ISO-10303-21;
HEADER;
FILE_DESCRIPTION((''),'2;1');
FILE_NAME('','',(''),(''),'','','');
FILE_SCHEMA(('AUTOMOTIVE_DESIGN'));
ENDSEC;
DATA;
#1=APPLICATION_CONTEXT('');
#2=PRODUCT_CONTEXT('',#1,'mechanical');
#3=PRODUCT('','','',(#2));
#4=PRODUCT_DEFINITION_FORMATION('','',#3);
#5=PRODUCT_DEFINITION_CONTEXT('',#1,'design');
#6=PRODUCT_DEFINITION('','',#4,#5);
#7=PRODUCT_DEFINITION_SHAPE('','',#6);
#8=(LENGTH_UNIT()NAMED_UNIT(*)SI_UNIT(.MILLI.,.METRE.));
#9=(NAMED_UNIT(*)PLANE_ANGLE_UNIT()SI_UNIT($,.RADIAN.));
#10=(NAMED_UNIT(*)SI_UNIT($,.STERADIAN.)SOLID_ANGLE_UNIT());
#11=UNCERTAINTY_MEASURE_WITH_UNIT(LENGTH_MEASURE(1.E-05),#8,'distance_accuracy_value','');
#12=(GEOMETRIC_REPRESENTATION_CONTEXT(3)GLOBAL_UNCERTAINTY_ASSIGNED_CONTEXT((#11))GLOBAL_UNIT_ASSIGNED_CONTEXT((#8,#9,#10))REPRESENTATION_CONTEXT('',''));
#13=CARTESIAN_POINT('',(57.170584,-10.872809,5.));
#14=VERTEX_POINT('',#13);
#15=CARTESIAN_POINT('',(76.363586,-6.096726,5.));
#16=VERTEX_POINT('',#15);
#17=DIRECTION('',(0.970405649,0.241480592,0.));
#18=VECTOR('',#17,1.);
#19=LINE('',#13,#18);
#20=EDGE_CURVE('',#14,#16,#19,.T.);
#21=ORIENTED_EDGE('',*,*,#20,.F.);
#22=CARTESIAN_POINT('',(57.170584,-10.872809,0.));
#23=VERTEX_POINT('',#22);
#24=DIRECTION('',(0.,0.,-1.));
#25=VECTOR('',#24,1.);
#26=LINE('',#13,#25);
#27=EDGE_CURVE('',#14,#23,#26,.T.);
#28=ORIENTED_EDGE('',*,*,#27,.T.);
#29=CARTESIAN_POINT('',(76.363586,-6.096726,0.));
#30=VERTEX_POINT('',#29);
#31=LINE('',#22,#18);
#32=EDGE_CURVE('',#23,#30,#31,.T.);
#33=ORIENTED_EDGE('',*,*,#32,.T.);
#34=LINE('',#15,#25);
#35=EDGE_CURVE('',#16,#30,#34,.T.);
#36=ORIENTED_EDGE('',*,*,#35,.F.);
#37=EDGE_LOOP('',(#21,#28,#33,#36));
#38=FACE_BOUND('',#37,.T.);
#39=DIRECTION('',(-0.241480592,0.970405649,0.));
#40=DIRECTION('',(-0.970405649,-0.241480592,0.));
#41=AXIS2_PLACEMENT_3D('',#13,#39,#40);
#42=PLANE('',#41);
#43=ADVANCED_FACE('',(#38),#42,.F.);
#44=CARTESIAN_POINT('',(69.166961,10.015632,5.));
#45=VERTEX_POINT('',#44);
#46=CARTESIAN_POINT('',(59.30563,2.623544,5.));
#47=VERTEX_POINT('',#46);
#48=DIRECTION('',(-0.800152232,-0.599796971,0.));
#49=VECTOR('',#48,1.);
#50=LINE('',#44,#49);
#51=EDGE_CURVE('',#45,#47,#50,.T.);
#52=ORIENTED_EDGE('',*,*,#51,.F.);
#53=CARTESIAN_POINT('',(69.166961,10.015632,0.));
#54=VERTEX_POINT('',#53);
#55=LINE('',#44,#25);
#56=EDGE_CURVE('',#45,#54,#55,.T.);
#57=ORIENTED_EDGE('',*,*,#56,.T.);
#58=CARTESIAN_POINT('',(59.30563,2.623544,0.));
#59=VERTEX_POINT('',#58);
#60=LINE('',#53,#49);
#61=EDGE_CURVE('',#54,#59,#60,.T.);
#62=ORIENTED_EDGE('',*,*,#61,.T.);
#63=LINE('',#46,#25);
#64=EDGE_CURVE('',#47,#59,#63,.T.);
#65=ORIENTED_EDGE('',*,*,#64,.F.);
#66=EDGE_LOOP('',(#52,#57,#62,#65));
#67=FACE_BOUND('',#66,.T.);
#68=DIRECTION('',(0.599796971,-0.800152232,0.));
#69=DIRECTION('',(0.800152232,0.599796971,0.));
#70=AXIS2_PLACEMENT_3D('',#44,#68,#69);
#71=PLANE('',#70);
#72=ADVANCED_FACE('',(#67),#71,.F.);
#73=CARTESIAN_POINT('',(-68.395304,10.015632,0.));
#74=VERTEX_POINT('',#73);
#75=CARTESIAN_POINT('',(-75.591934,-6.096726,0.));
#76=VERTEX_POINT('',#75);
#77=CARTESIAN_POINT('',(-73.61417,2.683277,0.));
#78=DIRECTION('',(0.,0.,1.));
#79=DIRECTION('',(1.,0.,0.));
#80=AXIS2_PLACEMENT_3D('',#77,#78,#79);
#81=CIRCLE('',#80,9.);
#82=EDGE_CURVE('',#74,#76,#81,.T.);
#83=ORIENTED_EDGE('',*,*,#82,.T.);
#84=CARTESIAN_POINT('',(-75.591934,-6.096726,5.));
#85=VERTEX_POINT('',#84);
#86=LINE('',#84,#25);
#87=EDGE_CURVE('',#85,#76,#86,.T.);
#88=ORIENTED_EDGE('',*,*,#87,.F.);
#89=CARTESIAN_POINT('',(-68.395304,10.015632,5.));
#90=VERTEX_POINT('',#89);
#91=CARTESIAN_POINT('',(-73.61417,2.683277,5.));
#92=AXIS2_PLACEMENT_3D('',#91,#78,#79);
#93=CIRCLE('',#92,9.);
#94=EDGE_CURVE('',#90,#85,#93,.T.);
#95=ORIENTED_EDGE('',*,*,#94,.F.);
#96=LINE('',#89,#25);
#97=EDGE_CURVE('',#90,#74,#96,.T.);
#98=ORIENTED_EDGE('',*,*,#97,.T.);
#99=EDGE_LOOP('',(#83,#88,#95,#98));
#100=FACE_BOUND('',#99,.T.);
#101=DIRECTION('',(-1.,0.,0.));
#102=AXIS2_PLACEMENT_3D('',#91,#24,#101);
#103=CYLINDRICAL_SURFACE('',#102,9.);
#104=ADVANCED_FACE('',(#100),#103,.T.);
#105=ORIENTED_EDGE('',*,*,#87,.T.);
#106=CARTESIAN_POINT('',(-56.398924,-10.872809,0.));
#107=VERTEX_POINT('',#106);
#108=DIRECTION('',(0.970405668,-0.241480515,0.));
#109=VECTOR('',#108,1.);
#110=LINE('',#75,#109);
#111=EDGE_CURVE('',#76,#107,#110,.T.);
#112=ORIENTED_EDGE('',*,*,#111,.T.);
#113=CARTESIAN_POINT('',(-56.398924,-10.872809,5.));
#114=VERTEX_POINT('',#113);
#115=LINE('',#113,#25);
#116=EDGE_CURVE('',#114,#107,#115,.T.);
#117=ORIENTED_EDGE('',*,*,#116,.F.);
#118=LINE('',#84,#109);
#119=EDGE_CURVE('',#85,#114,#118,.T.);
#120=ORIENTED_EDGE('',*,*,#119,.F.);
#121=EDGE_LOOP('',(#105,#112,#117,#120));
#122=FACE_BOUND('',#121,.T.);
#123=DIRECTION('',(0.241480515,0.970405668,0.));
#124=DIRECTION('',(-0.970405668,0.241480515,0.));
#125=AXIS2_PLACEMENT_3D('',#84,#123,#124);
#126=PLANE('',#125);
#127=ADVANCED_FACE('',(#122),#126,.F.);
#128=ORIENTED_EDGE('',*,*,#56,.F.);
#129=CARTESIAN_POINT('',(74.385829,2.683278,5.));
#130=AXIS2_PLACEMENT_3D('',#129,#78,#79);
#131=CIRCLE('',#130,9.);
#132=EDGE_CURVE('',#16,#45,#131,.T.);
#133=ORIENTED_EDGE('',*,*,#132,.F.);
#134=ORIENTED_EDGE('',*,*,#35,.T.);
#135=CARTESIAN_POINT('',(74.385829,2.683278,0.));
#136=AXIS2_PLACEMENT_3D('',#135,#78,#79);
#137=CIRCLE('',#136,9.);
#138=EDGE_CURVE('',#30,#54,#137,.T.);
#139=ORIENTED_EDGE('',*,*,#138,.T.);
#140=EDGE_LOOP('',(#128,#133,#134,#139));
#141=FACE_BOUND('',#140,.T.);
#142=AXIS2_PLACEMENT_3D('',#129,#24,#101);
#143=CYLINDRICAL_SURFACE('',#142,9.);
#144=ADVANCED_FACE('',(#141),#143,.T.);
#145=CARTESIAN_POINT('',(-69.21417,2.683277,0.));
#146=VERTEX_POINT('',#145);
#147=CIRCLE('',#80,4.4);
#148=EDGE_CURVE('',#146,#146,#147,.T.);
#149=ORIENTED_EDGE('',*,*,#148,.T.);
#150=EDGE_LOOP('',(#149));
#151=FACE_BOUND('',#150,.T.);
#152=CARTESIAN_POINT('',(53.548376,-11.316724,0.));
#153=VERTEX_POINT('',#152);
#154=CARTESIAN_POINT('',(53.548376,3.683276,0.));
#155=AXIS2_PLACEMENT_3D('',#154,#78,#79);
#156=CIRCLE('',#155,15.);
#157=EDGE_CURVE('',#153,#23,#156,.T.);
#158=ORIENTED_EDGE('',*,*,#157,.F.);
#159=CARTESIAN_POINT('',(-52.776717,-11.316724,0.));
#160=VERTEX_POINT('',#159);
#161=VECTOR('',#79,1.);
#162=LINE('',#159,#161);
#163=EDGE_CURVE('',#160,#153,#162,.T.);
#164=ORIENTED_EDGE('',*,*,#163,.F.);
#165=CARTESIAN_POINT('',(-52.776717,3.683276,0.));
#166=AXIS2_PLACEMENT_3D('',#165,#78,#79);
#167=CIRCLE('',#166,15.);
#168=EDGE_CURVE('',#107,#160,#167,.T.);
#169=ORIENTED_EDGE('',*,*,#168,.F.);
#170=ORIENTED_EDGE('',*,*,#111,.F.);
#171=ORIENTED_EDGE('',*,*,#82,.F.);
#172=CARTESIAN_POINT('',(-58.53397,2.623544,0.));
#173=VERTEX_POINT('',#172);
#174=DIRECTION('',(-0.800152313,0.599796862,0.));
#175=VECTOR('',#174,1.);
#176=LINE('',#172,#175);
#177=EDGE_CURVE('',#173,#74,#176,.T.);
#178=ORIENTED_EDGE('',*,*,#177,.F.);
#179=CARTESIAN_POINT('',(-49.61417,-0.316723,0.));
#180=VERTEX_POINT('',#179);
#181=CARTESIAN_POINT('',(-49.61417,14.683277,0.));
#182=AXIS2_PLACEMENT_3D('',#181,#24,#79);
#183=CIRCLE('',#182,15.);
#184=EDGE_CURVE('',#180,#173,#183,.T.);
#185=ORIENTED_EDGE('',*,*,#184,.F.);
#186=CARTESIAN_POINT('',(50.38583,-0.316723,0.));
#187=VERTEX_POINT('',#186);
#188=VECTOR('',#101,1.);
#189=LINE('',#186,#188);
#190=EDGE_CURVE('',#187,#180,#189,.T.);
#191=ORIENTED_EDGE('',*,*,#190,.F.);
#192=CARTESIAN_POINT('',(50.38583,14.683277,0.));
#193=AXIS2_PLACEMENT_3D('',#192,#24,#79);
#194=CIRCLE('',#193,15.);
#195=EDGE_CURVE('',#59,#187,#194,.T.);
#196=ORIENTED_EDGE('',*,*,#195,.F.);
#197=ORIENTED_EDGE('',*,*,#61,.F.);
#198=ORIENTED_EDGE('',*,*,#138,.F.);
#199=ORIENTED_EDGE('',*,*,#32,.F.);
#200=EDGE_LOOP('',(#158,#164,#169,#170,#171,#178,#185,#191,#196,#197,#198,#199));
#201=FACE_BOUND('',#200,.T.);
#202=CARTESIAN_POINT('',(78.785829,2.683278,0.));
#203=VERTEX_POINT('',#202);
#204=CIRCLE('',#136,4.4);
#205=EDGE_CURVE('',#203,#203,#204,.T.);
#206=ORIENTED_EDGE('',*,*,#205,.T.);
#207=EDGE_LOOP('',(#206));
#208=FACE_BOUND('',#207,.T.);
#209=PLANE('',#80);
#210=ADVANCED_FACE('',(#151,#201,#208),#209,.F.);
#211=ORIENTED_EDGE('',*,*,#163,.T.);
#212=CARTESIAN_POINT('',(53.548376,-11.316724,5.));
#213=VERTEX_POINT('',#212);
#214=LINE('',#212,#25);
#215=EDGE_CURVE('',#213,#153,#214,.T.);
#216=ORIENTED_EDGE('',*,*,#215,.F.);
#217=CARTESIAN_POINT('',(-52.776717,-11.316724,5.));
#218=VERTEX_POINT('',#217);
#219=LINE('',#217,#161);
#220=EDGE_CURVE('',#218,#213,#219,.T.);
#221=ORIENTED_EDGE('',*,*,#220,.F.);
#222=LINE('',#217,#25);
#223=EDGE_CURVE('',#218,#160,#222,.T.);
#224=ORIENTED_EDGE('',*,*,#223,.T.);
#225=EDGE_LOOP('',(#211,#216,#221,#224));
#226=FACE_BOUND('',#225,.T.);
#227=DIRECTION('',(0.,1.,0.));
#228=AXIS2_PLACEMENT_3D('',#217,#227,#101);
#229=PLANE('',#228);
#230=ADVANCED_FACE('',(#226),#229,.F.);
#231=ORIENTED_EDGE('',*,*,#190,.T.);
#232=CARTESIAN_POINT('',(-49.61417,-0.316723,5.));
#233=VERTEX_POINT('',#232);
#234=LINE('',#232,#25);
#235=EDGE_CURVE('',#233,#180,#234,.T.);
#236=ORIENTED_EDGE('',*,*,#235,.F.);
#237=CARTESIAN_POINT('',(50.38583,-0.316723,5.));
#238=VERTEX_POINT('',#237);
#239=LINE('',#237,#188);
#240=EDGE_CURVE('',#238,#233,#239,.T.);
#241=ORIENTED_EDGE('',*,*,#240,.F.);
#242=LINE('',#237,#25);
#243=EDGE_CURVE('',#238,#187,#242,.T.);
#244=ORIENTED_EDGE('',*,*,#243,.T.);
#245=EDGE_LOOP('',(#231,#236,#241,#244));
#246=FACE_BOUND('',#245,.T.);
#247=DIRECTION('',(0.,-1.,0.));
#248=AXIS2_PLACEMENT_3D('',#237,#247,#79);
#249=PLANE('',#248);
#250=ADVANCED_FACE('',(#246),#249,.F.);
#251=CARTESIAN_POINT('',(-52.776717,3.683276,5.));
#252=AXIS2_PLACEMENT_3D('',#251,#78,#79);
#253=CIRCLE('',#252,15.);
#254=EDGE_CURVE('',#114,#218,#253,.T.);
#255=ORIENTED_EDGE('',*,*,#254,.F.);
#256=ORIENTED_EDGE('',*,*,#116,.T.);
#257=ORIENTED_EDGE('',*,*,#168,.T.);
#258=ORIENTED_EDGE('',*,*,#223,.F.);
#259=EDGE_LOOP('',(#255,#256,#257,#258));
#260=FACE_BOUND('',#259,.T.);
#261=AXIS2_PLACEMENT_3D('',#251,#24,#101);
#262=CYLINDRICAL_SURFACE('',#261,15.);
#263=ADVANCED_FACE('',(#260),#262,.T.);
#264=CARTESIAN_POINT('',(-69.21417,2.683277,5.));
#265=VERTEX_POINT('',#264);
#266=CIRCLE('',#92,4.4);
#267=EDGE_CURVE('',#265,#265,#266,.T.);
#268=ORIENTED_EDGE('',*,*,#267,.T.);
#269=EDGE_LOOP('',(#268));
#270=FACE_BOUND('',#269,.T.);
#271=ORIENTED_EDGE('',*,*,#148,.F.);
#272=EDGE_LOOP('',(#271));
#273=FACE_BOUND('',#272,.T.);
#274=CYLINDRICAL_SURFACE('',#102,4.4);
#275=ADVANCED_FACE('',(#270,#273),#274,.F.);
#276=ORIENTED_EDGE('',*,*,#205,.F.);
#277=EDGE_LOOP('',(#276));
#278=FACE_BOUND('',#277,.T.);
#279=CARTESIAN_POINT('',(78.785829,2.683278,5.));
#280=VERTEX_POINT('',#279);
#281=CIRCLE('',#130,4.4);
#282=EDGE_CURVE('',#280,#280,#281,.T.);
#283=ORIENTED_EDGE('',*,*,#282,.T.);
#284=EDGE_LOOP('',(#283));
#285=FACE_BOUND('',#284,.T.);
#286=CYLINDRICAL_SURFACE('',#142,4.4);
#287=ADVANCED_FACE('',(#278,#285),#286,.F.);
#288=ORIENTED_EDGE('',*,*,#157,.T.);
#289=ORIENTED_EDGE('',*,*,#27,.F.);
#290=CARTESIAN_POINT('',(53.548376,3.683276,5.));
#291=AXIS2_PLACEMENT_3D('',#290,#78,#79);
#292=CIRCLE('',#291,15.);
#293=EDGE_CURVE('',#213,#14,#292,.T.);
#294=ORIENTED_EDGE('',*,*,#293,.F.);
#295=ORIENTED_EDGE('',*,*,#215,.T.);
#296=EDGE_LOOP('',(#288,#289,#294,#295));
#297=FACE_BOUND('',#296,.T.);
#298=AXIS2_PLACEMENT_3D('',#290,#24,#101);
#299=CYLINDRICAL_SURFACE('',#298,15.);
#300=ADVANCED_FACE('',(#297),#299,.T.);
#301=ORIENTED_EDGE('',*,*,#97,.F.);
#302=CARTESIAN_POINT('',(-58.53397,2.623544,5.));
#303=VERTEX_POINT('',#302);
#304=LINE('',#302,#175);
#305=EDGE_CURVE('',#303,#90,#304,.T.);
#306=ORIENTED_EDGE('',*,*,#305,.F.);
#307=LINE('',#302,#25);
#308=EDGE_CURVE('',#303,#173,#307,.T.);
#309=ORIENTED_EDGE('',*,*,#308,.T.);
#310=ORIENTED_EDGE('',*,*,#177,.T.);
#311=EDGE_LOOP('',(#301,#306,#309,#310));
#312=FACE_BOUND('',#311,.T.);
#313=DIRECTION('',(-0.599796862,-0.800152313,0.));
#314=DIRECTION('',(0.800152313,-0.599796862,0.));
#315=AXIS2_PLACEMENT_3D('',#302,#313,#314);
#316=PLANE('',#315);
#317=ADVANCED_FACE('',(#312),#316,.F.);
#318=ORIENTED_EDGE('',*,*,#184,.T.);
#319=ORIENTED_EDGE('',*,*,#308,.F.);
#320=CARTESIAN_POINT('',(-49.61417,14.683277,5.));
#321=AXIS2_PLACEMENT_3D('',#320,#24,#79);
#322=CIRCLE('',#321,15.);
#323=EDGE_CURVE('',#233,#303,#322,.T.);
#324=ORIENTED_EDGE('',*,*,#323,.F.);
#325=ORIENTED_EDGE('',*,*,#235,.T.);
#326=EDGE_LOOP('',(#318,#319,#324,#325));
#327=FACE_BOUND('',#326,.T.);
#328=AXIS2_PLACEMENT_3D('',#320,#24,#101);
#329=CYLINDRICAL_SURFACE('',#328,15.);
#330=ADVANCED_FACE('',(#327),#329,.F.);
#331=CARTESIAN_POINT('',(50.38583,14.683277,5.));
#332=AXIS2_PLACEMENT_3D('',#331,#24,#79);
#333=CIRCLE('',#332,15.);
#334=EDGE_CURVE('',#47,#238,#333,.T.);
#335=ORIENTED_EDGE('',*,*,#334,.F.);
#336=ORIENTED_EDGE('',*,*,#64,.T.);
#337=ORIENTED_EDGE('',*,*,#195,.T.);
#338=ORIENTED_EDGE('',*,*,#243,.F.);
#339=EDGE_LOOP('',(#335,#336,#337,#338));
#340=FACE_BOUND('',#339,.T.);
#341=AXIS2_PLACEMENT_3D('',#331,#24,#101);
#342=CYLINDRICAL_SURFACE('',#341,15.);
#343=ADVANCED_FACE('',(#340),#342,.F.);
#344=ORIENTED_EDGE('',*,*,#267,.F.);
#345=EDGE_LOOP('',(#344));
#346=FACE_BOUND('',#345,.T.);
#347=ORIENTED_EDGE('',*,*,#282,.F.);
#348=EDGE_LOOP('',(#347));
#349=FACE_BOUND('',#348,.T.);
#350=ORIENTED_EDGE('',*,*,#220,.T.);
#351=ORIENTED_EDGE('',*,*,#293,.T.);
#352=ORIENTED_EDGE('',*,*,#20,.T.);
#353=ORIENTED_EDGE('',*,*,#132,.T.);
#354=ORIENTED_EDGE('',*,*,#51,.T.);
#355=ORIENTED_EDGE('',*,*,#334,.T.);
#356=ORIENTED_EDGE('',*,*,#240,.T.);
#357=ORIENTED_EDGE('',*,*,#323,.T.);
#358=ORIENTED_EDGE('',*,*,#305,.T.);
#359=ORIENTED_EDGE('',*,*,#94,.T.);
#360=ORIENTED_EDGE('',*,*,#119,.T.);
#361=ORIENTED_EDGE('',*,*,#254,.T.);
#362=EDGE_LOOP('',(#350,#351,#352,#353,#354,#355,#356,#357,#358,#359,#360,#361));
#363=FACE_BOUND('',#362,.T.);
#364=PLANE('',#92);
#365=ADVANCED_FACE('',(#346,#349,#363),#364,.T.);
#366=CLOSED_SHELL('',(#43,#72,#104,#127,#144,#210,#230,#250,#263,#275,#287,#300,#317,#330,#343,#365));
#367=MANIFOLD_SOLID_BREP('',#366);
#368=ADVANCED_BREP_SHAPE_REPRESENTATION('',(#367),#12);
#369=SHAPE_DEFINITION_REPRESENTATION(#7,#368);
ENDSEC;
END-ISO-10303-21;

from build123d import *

# Parameters (mm, degrees)
ESQUISSE1_R        = 4.400000007
ESQUISSE1_R_2      = 4.4
BOSS_EXTRU_1_DEPTH = 5


with BuildPart() as part:
    # Esquisse1 → Boss.-Extru.1 (new body)
    with BuildSketch(Plane.XY):
        with BuildLine():
            Line((-75.591933606, -6.096726144), (-56.398924436, -10.872808857))
            ThreePointArc((-56.398924436, -10.872808857), (-54.601370742, -11.20533148), (-52.776716713, -11.316723833))
            Line((-52.776716713, -11.316723833), (53.548375844, -11.316723833))
            ThreePointArc((53.548375844, -11.316723833), (55.373029873, -11.20533148), (57.170583568, -10.872808857))
            Line((57.170583568, -10.872808857), (76.363586255, -6.096726144))
            ThreePointArc((76.363586255, -6.096726144), (82.603384887, 6.353670315), (69.166960675, 10.015631995))
            Line((69.166960675, 10.015631995), (59.305630369, 2.623543573))
            ThreePointArc((59.305630369, 2.623543573), (55.081785898, 0.437294771), (50.385829925, -0.316723427))
            Line((50.385829925, -0.316723427), (-49.61417004, -0.316723427))
            ThreePointArc((-49.61417004, -0.316723427), (-54.310126013, 0.437294771), (-58.533970484, 2.623543573))
            Line((-58.533970484, 2.623543573), (-68.395303593, 10.015631995))
            ThreePointArc((-68.395303593, 10.015631995), (-81.831724911, 6.353670739), (-75.591933606, -6.096726144))
        make_face()
        with Locations((-73.614170035, 2.683276775)):
            Circle(ESQUISSE1_R, mode=Mode.SUBTRACT)
        with Locations((74.385829169, 2.683278236)):
            Circle(ESQUISSE1_R_2, mode=Mode.SUBTRACT)
    extrude(amount=BOSS_EXTRU_1_DEPTH)


solid = part.part
